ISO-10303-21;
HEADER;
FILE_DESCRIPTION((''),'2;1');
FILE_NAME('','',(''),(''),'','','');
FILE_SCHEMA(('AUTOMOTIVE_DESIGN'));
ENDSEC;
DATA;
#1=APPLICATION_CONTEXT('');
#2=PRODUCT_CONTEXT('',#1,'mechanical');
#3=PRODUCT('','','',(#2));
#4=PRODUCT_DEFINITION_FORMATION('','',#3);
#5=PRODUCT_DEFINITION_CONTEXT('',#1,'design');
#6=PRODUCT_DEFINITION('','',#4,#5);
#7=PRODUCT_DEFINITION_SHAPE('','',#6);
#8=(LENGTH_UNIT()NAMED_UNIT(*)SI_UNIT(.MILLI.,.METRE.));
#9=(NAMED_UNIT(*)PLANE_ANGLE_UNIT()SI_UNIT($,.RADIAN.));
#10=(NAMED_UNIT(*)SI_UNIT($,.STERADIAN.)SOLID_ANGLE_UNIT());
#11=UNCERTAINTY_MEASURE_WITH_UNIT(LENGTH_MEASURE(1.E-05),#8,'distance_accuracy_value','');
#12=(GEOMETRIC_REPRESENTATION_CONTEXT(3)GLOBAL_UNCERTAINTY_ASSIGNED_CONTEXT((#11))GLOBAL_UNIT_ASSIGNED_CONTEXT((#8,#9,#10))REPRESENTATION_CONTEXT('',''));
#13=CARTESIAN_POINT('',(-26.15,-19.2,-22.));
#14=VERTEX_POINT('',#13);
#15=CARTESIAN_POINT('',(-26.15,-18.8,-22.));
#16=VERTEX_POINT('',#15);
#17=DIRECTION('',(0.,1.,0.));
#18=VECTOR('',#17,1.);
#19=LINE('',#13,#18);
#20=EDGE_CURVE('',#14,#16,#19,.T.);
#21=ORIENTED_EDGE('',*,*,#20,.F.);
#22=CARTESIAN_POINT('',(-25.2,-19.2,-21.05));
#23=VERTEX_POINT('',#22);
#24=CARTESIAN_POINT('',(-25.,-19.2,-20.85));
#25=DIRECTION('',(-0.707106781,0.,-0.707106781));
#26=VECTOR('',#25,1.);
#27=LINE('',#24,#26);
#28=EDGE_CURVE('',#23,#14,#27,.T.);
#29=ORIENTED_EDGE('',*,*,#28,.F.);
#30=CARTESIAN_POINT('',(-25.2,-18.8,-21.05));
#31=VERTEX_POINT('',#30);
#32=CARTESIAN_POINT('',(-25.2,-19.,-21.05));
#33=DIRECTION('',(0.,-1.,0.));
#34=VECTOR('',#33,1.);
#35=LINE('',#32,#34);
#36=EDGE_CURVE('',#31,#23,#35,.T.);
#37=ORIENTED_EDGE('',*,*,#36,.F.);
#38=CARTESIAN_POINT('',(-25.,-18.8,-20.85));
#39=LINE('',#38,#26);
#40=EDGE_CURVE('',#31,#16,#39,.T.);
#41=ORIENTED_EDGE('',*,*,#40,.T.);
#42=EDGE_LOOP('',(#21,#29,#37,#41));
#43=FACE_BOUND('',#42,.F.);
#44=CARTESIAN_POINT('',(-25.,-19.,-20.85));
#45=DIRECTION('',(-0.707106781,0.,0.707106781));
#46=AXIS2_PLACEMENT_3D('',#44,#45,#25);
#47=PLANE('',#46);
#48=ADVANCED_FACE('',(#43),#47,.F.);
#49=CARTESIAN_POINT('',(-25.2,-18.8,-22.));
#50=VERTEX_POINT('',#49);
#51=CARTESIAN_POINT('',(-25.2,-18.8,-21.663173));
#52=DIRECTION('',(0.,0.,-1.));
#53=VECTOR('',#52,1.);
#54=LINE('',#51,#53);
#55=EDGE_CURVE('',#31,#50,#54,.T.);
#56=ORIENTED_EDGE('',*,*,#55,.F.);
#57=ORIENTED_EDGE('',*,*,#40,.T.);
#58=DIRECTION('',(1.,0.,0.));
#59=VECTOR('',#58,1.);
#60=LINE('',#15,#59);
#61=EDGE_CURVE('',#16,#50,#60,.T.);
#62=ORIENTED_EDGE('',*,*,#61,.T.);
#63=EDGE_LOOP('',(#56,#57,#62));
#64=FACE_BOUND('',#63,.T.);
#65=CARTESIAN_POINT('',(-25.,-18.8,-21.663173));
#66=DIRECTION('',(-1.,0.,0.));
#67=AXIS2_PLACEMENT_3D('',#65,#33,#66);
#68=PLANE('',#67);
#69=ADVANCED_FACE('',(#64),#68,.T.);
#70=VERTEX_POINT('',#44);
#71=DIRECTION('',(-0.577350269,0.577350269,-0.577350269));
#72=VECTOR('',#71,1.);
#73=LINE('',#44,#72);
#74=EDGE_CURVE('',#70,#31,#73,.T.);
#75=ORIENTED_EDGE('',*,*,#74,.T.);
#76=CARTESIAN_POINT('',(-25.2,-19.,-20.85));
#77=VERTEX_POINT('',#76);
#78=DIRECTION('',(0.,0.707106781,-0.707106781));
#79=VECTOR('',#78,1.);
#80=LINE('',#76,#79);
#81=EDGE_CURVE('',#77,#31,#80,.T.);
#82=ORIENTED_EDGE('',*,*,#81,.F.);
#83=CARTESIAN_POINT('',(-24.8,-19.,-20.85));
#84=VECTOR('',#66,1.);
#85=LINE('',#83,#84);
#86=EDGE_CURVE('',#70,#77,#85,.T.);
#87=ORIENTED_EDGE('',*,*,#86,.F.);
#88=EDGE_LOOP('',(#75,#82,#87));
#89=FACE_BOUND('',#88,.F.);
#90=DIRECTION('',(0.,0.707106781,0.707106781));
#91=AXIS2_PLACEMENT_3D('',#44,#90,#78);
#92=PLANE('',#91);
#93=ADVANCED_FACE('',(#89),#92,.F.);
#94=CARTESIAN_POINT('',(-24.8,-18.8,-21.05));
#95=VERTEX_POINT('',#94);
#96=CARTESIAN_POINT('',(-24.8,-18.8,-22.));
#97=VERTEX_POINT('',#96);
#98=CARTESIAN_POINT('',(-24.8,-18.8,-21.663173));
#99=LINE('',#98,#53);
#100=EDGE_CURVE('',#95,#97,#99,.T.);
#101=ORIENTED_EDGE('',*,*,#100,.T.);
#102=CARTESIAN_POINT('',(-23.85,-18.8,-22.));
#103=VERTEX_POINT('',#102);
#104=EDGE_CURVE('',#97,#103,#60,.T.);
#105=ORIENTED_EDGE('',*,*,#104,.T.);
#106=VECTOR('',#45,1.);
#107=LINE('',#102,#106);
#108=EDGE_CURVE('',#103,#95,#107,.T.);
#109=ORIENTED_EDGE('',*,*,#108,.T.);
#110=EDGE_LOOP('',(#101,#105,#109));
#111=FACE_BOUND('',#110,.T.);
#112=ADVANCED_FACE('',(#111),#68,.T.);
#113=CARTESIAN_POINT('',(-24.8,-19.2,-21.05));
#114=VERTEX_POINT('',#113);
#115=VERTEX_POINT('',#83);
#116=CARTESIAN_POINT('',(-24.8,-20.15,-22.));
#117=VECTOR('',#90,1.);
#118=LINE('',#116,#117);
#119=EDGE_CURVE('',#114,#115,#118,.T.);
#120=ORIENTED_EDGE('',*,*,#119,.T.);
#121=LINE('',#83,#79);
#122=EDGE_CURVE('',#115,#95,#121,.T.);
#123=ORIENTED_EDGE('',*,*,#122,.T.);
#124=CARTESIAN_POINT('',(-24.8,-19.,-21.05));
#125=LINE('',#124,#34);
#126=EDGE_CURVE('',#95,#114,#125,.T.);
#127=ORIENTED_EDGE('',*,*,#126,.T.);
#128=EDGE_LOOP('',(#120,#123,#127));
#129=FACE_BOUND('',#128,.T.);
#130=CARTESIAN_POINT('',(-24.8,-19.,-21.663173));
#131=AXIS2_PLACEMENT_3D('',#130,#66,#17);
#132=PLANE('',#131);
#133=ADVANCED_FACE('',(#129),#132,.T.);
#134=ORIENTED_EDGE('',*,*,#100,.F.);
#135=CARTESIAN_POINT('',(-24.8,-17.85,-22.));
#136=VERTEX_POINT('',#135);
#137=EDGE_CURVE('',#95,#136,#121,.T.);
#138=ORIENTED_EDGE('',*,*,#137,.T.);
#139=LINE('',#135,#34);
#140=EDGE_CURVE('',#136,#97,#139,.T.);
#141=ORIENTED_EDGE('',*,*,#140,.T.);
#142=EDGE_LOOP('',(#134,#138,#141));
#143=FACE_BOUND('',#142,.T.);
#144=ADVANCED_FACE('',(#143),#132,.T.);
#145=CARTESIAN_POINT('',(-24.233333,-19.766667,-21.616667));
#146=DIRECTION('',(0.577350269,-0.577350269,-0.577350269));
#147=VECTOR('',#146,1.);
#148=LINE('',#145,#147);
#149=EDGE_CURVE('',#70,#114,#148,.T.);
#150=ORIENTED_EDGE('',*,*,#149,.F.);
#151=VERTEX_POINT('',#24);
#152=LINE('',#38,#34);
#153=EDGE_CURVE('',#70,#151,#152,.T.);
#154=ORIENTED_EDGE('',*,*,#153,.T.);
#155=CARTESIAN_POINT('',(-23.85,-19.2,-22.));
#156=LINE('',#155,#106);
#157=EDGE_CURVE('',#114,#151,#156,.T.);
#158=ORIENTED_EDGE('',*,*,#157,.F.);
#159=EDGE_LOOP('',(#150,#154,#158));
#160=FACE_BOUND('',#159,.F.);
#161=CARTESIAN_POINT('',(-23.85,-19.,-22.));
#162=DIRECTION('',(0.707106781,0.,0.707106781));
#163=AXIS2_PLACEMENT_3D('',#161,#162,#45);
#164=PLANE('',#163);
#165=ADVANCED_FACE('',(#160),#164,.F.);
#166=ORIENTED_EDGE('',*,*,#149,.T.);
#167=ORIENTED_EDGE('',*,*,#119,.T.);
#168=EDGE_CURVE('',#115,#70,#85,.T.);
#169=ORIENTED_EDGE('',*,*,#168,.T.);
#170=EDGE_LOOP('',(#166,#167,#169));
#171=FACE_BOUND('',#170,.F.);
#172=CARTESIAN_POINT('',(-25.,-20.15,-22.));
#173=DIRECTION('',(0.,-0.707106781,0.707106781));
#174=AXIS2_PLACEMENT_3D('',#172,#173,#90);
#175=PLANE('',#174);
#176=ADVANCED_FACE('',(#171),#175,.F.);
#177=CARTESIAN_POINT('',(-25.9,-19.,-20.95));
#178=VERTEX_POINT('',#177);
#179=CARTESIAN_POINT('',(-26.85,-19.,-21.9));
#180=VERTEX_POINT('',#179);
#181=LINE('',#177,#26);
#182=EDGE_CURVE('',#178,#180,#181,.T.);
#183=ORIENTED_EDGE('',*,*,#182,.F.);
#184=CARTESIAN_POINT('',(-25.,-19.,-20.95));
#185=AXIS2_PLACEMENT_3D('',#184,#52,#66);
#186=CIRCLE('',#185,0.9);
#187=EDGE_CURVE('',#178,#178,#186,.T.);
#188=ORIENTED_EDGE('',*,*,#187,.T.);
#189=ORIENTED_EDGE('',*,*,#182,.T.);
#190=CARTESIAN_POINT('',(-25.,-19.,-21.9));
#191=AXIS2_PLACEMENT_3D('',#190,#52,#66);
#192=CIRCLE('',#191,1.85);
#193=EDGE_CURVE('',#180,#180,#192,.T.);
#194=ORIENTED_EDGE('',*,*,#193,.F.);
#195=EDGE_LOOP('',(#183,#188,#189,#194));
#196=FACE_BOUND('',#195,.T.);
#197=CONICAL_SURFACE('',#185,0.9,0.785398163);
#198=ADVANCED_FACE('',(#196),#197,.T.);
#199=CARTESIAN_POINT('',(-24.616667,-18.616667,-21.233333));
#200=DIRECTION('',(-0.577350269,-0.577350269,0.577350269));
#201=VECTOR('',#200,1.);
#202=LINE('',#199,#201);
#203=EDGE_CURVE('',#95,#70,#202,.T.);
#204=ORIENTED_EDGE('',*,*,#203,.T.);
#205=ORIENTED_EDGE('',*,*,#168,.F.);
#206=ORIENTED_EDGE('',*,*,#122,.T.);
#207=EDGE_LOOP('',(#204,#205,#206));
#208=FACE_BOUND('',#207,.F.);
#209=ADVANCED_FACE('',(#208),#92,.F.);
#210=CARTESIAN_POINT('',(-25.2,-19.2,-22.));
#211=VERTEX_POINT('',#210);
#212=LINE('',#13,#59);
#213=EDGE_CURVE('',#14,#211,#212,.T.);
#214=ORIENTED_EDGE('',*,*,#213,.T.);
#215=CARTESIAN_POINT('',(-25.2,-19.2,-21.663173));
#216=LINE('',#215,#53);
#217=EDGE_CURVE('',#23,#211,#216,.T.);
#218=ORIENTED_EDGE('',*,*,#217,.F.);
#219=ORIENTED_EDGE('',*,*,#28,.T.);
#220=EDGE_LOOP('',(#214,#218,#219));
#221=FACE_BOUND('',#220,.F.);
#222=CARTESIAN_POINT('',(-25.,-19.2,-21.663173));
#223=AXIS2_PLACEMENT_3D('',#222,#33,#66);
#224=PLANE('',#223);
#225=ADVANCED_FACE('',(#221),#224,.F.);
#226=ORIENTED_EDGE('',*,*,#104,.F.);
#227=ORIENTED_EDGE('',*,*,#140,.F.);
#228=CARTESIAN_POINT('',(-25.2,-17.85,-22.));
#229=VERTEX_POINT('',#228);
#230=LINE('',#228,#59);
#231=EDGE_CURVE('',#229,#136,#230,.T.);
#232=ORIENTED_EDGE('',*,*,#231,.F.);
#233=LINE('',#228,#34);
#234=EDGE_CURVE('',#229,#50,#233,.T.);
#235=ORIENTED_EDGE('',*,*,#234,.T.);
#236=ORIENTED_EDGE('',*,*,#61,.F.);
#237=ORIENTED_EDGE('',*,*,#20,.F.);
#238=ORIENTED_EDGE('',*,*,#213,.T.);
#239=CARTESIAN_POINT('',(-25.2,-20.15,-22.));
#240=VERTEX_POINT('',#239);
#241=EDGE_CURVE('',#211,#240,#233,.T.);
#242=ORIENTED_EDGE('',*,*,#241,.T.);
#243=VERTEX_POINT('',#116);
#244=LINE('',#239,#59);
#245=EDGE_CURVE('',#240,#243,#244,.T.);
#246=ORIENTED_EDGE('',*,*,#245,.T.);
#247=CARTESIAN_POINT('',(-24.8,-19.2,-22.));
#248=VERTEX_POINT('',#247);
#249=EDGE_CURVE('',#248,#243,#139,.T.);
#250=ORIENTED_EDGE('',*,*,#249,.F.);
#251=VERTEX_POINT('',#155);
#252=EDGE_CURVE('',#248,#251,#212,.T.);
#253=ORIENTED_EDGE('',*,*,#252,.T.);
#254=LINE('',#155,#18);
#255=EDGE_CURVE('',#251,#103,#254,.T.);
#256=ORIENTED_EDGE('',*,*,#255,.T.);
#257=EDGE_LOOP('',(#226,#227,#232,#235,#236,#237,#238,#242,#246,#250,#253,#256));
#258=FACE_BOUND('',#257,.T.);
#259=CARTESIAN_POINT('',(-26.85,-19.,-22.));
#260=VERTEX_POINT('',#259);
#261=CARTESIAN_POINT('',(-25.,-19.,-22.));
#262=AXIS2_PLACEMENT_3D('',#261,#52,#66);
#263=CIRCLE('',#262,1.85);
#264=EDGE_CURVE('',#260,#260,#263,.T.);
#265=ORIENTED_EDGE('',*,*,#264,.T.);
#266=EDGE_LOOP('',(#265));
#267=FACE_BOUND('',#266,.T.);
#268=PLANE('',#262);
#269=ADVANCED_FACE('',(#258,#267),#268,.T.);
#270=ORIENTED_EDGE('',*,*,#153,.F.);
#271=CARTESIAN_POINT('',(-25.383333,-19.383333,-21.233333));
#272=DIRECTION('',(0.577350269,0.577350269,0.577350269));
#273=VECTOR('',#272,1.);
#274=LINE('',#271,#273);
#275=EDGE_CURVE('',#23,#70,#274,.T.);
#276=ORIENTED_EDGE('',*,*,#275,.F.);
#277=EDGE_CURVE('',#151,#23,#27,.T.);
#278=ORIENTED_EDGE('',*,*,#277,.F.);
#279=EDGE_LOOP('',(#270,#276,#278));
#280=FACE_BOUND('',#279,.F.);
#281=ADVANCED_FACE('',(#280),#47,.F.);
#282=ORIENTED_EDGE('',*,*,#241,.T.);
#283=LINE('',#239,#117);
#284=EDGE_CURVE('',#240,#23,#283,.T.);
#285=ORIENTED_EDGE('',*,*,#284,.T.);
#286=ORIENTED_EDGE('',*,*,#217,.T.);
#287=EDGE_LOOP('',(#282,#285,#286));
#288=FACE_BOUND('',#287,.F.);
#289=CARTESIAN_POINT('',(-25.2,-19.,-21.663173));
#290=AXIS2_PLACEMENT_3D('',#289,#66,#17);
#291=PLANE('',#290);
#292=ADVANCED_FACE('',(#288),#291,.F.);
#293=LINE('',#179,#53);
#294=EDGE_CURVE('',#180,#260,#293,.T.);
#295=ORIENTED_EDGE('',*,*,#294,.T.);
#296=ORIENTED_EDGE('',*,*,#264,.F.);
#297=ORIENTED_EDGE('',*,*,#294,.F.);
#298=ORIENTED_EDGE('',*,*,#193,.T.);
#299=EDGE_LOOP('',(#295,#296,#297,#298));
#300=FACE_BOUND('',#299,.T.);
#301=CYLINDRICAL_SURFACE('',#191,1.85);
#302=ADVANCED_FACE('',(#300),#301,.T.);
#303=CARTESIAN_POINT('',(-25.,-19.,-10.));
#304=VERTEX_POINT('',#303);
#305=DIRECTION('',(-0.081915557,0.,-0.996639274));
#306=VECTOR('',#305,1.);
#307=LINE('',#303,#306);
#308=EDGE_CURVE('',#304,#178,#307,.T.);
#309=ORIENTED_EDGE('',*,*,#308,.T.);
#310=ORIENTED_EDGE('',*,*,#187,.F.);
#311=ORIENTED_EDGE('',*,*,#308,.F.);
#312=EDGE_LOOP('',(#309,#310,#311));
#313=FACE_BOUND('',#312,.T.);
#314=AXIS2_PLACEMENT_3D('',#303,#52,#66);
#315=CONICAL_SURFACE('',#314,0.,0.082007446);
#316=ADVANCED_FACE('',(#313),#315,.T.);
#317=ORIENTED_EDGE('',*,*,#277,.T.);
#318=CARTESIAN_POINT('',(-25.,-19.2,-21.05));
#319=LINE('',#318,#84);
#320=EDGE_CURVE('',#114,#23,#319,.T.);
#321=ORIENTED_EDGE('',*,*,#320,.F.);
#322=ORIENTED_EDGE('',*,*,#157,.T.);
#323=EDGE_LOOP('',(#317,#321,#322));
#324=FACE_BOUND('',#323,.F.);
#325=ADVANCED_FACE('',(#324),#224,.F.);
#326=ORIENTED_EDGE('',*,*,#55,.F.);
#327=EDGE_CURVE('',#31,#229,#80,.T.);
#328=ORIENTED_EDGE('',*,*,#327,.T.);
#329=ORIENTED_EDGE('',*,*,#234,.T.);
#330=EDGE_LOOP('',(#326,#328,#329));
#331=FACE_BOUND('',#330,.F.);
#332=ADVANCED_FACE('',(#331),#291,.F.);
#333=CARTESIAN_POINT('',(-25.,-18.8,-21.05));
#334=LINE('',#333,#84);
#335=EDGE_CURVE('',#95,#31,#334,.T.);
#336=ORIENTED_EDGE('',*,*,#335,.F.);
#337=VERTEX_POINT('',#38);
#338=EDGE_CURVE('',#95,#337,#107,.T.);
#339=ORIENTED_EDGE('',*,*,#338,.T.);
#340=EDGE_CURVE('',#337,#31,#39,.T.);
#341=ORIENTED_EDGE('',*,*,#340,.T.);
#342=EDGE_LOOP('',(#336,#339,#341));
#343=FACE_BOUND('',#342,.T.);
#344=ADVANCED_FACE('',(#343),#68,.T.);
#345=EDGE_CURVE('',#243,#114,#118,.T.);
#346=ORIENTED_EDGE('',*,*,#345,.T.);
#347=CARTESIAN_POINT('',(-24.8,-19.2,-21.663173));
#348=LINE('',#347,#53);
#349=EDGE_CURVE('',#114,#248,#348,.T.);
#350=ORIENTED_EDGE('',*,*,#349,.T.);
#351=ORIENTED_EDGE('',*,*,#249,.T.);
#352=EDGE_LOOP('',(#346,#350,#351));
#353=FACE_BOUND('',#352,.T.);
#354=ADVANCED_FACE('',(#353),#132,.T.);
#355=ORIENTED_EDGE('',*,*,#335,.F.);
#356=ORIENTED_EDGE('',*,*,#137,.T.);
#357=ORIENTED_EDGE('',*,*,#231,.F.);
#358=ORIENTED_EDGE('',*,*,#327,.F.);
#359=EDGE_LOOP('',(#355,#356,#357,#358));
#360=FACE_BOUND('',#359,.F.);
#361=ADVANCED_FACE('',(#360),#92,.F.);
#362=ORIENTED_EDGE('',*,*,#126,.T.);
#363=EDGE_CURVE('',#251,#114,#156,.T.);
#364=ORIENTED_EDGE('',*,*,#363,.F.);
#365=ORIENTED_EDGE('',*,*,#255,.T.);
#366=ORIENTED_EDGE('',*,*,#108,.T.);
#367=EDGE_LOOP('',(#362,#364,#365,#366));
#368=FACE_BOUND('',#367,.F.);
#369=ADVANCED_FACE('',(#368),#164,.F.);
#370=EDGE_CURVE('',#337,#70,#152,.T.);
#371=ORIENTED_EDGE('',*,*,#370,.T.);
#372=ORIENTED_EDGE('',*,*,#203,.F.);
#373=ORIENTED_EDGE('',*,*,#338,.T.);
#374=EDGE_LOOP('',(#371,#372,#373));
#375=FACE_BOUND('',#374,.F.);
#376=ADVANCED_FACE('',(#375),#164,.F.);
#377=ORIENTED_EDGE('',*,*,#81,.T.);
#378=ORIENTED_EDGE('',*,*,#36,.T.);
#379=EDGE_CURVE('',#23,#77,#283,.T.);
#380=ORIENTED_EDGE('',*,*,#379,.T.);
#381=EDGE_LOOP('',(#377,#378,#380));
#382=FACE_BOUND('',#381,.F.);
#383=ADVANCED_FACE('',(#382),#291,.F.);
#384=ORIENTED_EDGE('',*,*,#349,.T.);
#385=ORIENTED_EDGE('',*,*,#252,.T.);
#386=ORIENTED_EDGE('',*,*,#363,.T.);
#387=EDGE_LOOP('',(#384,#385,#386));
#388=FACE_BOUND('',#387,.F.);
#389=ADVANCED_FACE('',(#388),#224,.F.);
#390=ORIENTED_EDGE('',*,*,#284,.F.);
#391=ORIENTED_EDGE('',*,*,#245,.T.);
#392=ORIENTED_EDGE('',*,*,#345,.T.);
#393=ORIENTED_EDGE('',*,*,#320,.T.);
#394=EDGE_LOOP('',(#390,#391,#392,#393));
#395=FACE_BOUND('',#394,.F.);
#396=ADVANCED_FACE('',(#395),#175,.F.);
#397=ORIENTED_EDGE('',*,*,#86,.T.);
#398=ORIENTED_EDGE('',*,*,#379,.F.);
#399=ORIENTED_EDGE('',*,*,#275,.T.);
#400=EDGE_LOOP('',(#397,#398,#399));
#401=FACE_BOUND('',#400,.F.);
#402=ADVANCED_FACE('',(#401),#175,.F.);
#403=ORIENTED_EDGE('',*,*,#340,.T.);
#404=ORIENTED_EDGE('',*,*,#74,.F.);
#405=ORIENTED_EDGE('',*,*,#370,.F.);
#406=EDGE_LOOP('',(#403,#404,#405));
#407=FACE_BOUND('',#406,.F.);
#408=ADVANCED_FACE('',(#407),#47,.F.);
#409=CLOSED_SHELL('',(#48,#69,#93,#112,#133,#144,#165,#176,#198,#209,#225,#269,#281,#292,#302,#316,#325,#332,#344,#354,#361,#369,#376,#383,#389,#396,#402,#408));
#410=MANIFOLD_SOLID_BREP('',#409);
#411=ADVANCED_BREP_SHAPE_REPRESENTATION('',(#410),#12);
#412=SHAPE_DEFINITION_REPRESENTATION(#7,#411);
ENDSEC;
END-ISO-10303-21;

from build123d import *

# Parameters (mm, degrees)
POCKET004_DEPTH         = 0.2
POLARPATTERN004_COUNT   = 2
POLARPATTERN004_ANGLE   = 90
BODY008_PLACEMENT_ANGLE = 180


with BuildPart() as part:
    # Sketch016 → Revolution004 (revolve)
    with BuildSketch(Plane.XZ):
        Polygon((0, 0), (0, -12), (0.9, -1.05), (1.85, -0.1), (1.85, 0), align=None)
    revolve(axis=Axis((0, 0, 0), (0, 0, 1)))

    # Sketch015 → Pocket004 (cut, symmetric)
    with BuildSketch(Plane.XZ):
        Polygon((-1.15, 0), (0, -1.15), (1.15, 0), align=None)
    pocket004 = extrude(amount=POCKET004_DEPTH, both=True, mode=Mode.SUBTRACT)

    # PolarPattern004: Pocket004 ×2 about axis
    polarpattern004_axis = Axis((0, 0, 0), (0, 0, 1))
    for i in range(1, POLARPATTERN004_COUNT):
        add(pocket004.rotate(polarpattern004_axis, i * POLARPATTERN004_ANGLE / (POLARPATTERN004_COUNT - 1)), mode=Mode.SUBTRACT)


with BuildPart() as part_1:
    # Body008 placement: moved
    add(part.part.moved(Location((-25, -19, -22))).rotate(Axis((-25, -19, -22), (0, 1, 0)), BODY008_PLACEMENT_ANGLE))


solid = part_1.part
